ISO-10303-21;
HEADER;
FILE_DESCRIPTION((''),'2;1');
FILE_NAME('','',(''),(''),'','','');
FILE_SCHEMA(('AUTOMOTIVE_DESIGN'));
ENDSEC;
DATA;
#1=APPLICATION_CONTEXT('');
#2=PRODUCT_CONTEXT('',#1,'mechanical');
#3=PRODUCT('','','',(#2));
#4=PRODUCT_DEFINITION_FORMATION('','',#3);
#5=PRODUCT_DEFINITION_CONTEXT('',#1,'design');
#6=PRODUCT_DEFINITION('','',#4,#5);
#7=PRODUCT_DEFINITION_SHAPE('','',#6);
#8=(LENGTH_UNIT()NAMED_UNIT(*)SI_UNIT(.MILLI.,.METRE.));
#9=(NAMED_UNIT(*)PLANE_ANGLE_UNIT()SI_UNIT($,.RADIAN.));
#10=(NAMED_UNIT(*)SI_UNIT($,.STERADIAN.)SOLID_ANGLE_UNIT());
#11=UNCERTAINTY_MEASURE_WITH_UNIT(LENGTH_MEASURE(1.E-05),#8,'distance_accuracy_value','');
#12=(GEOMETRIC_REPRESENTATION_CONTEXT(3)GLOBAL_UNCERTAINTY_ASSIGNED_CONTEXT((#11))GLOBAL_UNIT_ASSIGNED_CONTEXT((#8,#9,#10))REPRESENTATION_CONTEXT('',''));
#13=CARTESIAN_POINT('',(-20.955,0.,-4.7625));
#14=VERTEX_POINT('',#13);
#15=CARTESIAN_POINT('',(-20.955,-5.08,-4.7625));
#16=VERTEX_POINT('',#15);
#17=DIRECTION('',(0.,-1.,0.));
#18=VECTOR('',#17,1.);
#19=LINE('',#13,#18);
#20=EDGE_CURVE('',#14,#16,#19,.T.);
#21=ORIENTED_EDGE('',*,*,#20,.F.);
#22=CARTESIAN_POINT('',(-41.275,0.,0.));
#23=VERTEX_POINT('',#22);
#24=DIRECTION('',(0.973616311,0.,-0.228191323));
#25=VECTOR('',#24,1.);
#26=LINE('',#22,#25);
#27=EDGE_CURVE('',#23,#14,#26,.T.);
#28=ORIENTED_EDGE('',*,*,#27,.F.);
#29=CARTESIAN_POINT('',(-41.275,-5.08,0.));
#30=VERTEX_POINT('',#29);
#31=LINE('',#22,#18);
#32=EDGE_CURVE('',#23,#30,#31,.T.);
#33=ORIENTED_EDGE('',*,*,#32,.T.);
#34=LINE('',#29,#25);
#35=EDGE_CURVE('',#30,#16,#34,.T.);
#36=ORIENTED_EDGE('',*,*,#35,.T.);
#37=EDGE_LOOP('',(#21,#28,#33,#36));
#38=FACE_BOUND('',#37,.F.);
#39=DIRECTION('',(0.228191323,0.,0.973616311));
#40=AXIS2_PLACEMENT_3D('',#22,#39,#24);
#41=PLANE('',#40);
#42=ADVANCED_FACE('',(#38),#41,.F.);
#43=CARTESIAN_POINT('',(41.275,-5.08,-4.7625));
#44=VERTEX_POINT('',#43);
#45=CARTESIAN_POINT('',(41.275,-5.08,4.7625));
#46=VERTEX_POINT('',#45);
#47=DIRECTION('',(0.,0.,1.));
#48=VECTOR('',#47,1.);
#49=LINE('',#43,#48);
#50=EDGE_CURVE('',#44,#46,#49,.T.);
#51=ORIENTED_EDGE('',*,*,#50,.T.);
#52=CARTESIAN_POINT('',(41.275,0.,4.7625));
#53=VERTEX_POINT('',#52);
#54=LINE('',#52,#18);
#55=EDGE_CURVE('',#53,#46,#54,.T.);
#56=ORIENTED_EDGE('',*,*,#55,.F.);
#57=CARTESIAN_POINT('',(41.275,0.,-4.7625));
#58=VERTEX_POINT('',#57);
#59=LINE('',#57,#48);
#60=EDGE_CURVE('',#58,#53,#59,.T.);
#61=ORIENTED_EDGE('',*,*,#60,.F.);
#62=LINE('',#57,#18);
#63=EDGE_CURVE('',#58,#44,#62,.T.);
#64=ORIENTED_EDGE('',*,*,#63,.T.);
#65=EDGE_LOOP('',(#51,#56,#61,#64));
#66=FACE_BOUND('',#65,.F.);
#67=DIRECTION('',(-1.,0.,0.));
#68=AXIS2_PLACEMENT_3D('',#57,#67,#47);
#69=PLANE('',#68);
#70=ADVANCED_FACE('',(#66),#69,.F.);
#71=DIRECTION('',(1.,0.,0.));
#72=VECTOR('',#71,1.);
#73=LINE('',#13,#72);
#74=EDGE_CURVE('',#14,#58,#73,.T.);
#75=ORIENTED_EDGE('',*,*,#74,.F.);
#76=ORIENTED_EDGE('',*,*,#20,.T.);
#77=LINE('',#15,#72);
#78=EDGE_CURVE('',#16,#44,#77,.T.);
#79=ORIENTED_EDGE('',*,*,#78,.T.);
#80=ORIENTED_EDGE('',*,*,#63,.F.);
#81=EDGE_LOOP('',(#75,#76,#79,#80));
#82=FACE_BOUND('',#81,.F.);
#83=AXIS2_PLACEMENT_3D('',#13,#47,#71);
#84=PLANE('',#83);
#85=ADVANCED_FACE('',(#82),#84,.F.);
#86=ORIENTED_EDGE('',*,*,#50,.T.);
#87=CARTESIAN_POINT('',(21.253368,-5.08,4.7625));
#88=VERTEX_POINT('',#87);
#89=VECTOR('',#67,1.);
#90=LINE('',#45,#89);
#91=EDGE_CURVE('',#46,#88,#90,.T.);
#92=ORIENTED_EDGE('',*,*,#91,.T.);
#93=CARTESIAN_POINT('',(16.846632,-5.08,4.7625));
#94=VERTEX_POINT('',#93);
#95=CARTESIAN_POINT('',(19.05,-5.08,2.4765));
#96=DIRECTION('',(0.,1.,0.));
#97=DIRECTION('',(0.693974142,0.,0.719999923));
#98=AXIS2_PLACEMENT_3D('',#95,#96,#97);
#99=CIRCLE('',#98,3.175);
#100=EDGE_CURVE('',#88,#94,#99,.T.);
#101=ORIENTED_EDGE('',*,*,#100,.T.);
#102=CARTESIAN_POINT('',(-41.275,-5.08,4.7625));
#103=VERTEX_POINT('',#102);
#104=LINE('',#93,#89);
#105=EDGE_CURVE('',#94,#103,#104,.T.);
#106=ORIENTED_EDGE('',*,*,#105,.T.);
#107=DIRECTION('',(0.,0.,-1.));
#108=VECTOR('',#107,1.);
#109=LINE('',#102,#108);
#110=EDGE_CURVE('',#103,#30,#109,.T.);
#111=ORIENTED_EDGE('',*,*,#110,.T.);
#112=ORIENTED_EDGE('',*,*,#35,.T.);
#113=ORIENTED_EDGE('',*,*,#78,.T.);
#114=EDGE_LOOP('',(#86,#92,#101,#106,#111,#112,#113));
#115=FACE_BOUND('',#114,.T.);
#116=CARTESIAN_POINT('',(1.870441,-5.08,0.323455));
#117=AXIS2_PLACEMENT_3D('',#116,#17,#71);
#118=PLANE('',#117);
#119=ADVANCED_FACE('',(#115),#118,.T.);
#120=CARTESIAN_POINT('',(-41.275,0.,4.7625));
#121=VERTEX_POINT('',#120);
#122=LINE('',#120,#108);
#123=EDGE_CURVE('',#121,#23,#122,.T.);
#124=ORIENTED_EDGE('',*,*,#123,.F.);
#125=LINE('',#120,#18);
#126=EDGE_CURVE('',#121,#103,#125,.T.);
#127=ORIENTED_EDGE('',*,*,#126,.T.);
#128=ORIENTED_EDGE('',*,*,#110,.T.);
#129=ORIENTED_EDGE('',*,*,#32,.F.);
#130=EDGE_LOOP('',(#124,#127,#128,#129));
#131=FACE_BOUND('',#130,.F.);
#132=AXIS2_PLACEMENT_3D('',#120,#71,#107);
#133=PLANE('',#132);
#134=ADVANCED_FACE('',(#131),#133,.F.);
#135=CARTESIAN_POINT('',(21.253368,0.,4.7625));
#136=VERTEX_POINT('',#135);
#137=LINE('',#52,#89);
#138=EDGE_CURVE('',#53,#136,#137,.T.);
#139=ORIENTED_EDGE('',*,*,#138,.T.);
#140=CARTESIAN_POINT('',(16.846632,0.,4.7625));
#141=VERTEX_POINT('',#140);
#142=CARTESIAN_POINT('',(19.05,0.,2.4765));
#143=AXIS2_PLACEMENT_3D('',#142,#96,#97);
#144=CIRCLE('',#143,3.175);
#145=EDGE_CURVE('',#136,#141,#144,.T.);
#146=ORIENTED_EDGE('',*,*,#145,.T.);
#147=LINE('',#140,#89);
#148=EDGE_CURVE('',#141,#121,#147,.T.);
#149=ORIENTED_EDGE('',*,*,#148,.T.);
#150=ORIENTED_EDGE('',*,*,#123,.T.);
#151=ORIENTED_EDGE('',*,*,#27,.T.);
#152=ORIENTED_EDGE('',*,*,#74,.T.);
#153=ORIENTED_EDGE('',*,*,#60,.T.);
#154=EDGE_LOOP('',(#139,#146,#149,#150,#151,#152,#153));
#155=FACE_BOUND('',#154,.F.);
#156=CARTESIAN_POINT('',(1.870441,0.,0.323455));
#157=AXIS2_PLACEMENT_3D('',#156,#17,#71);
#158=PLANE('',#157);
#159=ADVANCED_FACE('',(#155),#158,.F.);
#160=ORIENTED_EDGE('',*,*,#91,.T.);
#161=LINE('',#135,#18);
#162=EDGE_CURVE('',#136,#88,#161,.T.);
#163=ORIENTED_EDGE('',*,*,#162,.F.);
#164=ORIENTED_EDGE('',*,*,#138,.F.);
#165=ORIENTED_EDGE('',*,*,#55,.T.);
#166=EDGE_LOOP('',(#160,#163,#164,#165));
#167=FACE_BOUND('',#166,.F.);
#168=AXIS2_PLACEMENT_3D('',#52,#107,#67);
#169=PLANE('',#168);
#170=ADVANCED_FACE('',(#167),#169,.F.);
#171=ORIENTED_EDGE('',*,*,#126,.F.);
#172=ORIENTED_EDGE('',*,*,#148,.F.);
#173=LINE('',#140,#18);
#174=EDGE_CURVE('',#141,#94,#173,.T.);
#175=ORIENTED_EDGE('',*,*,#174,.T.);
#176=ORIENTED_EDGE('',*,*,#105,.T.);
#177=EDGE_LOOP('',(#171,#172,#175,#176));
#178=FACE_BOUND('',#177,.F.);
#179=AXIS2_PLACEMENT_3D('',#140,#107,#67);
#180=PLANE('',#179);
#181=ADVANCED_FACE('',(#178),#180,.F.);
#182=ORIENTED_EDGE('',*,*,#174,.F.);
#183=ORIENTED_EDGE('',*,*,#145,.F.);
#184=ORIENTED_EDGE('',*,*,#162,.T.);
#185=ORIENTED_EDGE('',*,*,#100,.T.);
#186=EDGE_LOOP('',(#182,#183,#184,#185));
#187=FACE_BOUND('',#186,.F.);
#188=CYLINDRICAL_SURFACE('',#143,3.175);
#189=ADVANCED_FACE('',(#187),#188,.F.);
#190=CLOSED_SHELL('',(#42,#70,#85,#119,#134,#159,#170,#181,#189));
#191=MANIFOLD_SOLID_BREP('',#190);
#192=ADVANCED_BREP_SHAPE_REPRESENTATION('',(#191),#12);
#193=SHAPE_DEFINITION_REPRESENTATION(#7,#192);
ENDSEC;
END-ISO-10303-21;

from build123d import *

# Parameters (mm, degrees)
F1_DEPTH = 5.08


with BuildPart() as f1:
    # F0 (on Front) → F1 (new body)
    with BuildSketch(Plane.XZ):
        with BuildLine():
            Line((41.275, -4.7625), (41.275, 4.7625))
            Line((41.275, 4.7625), (24.13, 4.7625))
            Line((24.13, 4.7625), (21.253368, 4.7625))
            ThreePointArc((21.253368, 4.7625), (19.05, -0.6985), (16.846632, 4.7625))
            Line((16.846632, 4.7625), (13.97, 4.7625))
            Line((13.97, 4.7625), (-41.275, 4.7625))
            Line((-41.275, 4.7625), (-41.275, 0))
            Line((-41.275, 0), (-20.955, -4.7625))
            Line((-20.955, -4.7625), (41.275, -4.7625))
        make_face()
    extrude(amount=F1_DEPTH)


solid = f1.part
